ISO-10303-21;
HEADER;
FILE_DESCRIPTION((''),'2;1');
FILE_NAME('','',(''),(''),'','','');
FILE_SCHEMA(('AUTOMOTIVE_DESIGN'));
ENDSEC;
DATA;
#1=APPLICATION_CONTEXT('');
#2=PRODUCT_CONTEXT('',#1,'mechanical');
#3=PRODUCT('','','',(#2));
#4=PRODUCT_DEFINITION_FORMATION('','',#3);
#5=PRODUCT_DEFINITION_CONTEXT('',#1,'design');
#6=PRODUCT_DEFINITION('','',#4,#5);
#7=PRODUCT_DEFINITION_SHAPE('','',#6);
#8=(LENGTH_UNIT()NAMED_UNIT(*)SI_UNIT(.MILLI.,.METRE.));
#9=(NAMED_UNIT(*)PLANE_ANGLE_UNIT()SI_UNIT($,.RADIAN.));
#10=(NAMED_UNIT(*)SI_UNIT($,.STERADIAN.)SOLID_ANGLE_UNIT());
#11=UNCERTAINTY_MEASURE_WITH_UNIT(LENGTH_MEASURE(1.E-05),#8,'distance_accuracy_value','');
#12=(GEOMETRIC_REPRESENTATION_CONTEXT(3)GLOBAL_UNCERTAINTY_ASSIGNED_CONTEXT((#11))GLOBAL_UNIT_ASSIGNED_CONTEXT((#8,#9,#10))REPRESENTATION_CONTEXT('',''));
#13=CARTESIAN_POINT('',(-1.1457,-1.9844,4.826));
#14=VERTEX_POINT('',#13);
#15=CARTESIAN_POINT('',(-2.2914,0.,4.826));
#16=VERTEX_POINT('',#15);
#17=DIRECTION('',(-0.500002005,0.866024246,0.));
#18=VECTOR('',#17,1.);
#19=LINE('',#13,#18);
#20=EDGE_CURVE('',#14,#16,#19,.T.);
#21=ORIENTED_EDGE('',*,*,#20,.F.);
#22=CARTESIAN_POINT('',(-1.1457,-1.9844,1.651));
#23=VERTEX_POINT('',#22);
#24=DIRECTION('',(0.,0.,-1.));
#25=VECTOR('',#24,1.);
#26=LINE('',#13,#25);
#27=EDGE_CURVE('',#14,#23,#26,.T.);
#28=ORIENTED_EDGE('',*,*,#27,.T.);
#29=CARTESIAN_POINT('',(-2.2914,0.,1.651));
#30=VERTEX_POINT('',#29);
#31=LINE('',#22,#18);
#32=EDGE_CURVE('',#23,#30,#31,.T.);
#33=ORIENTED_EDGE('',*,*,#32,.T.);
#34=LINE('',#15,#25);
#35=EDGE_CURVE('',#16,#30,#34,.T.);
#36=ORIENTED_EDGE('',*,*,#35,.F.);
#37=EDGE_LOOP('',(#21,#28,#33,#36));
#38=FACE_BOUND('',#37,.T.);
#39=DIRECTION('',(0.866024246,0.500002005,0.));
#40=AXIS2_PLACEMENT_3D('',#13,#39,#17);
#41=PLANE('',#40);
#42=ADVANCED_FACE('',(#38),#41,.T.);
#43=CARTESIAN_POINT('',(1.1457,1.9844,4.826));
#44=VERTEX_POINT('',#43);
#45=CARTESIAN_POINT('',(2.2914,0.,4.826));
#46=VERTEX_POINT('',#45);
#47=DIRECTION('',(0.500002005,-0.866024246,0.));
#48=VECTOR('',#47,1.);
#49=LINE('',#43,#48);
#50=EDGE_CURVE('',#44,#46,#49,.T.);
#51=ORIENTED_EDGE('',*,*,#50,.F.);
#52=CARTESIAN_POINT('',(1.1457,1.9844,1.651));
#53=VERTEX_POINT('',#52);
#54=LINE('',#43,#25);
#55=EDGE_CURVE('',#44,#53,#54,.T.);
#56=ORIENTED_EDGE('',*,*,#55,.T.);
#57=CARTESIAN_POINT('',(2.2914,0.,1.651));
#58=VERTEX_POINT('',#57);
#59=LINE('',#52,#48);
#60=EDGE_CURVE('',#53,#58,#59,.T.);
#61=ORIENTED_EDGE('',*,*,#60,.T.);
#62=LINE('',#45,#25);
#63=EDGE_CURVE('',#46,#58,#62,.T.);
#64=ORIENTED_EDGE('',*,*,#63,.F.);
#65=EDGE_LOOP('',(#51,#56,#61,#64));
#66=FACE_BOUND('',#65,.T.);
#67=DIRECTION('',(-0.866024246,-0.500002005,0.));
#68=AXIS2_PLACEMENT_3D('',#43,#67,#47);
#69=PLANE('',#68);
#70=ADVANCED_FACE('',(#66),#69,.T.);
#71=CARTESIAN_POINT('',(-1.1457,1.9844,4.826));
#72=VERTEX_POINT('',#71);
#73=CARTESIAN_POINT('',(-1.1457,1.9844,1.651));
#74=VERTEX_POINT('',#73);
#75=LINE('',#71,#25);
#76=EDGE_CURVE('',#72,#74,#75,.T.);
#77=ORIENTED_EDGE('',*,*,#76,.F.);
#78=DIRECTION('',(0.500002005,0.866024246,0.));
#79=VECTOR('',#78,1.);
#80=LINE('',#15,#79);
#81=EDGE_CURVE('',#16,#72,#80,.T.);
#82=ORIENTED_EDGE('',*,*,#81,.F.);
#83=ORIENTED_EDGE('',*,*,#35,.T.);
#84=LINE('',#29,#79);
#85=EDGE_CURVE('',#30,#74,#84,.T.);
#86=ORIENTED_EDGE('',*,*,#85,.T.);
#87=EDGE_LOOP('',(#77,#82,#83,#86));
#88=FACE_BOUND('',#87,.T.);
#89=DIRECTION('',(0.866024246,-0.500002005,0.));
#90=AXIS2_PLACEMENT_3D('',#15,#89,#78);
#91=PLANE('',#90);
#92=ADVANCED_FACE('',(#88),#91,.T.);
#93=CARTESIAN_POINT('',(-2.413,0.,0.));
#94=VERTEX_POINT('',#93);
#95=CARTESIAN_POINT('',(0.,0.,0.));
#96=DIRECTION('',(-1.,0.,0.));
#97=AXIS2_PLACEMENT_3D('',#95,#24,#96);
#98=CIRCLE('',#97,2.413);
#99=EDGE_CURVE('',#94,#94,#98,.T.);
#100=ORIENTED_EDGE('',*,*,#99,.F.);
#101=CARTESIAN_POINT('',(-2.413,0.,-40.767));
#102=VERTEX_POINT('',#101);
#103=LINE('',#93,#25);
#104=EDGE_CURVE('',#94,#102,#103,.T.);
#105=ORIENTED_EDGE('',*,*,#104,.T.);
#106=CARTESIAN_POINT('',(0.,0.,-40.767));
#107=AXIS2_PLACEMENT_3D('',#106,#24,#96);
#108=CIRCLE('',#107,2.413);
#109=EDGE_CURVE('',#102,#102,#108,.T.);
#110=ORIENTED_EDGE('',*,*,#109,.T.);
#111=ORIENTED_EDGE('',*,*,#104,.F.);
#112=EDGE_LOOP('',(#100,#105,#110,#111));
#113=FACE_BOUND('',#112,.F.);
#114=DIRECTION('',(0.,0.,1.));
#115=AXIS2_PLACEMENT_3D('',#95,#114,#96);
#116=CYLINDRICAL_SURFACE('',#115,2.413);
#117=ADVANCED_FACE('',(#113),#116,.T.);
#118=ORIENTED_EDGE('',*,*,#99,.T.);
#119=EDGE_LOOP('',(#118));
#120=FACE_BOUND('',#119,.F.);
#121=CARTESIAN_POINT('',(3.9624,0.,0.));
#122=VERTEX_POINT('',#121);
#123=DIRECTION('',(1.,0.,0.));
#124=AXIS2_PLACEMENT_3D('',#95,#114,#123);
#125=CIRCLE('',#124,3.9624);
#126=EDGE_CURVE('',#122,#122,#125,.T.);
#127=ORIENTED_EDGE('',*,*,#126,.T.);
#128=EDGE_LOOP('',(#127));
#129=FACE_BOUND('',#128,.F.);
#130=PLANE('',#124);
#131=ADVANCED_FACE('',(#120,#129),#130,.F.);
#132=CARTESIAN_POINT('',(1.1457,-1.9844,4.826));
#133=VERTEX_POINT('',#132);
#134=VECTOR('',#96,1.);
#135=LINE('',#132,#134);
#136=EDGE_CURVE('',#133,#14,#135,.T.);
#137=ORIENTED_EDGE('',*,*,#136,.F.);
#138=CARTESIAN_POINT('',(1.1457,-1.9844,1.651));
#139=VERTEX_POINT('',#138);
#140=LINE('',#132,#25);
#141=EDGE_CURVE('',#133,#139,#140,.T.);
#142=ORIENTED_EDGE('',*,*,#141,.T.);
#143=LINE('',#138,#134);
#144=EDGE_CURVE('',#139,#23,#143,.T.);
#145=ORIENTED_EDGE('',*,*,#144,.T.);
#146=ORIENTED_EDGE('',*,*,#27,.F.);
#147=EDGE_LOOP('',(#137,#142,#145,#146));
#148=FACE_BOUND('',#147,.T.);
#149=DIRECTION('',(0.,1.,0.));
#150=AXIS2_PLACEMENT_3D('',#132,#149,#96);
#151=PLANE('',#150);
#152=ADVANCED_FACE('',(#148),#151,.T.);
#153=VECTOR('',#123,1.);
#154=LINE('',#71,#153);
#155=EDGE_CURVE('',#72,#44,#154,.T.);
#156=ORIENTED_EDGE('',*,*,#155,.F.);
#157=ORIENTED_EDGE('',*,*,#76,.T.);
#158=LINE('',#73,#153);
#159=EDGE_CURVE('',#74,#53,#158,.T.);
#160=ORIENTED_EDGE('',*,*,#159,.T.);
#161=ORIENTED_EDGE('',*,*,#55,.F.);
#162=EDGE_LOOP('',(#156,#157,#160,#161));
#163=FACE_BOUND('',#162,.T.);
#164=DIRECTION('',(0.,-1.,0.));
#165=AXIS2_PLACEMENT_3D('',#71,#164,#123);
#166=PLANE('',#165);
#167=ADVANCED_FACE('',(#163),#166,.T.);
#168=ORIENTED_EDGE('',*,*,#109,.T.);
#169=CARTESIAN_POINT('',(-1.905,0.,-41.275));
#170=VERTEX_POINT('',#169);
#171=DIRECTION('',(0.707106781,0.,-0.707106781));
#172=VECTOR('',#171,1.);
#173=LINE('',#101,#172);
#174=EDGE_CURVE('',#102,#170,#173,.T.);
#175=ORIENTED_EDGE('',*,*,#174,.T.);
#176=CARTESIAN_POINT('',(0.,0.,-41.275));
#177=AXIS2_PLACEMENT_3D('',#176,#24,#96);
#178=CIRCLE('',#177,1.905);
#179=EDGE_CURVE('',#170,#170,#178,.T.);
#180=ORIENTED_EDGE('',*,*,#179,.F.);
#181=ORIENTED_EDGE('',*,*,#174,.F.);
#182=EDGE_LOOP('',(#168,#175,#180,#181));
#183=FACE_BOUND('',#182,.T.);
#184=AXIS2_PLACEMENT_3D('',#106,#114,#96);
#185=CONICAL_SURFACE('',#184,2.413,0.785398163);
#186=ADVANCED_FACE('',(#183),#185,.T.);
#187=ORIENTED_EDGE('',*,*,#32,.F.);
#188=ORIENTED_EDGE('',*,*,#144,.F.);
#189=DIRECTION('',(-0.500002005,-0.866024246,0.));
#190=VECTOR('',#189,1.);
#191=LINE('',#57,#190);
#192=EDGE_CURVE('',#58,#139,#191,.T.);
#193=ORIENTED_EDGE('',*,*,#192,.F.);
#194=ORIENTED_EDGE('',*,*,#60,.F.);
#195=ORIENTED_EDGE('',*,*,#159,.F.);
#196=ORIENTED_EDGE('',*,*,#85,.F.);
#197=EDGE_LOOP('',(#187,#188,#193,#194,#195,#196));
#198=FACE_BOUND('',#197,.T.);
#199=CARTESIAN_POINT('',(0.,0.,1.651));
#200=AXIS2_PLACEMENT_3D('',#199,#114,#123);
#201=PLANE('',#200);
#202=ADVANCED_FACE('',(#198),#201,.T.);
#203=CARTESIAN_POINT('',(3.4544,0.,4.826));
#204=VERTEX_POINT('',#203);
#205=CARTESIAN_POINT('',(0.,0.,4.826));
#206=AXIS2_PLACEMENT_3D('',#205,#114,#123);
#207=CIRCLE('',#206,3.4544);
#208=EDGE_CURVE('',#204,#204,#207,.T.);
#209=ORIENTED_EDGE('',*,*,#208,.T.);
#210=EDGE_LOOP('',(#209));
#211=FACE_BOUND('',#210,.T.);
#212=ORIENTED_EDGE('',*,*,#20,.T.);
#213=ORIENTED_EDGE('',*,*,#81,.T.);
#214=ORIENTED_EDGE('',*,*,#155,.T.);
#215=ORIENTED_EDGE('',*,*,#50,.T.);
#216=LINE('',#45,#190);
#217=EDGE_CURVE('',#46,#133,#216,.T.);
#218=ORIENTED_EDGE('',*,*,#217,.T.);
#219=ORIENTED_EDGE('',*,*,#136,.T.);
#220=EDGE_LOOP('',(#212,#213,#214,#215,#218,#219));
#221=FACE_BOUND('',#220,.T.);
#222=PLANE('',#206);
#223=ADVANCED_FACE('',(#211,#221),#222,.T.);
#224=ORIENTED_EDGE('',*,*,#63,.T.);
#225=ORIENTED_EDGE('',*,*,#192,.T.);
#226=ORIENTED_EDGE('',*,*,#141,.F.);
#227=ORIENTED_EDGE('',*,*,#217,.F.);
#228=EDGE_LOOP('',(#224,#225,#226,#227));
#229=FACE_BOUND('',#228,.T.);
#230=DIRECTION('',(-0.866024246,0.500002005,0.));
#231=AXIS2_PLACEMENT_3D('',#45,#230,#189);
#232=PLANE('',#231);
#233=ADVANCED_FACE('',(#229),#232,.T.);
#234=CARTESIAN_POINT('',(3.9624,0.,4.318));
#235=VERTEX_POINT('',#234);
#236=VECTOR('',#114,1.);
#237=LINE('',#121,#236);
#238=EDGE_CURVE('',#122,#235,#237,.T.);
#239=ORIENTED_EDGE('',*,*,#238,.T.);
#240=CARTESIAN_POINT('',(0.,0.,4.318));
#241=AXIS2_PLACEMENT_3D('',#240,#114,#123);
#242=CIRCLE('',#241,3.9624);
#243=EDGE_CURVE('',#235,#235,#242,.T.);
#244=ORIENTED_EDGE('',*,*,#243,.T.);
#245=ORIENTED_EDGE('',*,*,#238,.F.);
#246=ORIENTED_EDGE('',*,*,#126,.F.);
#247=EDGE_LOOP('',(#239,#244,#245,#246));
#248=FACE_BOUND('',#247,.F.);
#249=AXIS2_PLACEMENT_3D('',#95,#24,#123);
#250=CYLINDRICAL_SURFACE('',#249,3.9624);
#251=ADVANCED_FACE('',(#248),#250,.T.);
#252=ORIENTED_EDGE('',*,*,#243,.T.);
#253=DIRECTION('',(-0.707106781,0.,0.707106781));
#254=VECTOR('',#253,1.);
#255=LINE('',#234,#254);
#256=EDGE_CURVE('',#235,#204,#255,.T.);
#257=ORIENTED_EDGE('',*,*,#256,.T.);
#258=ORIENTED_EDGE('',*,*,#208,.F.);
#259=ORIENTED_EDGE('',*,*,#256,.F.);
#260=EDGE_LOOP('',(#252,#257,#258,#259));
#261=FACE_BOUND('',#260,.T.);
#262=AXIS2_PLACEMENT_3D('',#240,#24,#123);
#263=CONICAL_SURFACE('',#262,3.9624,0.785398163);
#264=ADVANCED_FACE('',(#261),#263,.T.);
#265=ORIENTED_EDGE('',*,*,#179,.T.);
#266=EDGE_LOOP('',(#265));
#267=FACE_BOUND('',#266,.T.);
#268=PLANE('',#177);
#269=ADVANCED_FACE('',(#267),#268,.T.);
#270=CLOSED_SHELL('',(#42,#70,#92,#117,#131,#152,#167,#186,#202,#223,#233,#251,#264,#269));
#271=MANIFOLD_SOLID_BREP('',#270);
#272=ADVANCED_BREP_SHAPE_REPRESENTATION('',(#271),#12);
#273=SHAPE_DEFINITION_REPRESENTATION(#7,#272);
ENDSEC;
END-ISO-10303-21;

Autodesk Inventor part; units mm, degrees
ref_plane "YZ Plane" through (0, 0, 0) normal (1, 0, 0) x (0, 1, 0)
ref_plane "XZ Plane" through (0, 0, 0) normal (0, 1, 0) x (-1, 0, 0)
ref_plane "XY Plane" through (0, 0, 0) normal (0, 0, 1) x (1, 0, 0)
sketch "Sketch1" plane through (0, 0, 0) normal (0, 0, 1) x (1, 0, 0)
  circle A0 centre (0, 0) radius 3.9624
  dimension "d0" = 7.9248
extrude "Extrusion1" add sketch "Sketch1" along normal blind 4.826
sketch "Sketch2" plane through (0, 0, 0) normal (0, 0, -1) x (-1, 0, 0)
  circle A0 centre (0, 0) radius 3.9624 projected
  circle A1 centre (0, 0) radius 2.413
  dimension "d3" = 4.826
extrude "Extrusion2" add sketch "Sketch2" along normal blind 41.275 contours A1
sketch "Sketch3" plane through (0, 0, 4.826) normal (0, 0, 1) x (1, 0, 0)
  circle A0 centre (0, 0) radius 3.9624 projected
  line L0 (-1.1457, 1.9844) -> (1.1457, 1.9844)
  line L1 (1.1457, 1.9844) -> (2.2914, 0)
  line L2 (2.2914, 0) -> (1.1457, -1.9844)
  line L3 (1.1457, -1.9844) -> (-1.1457, -1.9844)
  line L4 (-1.1457, -1.9844) -> (-2.2914, 0)
  line L5 (-2.2914, 0) -> (-1.1457, 1.9844)
  dimension "d6" = 3.9688
extrude "Extrusion3" cut sketch "Sketch3" against normal blind 3.175 contours L0 L1 L2 L3 L4 L5
thread "Thread1" size "10-32 UNF" class "2A" standard "ANSI Unified Screw Threads" length 25.4
chamfer "Chamfer1" distance 0.508 angle 45 1 edges at (2.413, 0, -41.275)
chamfer "Chamfer2" distance 0.508 angle 45 1 edges at (-3.9624, 0, 4.826)
properties part number "10-32 x1625" material "Steel"
